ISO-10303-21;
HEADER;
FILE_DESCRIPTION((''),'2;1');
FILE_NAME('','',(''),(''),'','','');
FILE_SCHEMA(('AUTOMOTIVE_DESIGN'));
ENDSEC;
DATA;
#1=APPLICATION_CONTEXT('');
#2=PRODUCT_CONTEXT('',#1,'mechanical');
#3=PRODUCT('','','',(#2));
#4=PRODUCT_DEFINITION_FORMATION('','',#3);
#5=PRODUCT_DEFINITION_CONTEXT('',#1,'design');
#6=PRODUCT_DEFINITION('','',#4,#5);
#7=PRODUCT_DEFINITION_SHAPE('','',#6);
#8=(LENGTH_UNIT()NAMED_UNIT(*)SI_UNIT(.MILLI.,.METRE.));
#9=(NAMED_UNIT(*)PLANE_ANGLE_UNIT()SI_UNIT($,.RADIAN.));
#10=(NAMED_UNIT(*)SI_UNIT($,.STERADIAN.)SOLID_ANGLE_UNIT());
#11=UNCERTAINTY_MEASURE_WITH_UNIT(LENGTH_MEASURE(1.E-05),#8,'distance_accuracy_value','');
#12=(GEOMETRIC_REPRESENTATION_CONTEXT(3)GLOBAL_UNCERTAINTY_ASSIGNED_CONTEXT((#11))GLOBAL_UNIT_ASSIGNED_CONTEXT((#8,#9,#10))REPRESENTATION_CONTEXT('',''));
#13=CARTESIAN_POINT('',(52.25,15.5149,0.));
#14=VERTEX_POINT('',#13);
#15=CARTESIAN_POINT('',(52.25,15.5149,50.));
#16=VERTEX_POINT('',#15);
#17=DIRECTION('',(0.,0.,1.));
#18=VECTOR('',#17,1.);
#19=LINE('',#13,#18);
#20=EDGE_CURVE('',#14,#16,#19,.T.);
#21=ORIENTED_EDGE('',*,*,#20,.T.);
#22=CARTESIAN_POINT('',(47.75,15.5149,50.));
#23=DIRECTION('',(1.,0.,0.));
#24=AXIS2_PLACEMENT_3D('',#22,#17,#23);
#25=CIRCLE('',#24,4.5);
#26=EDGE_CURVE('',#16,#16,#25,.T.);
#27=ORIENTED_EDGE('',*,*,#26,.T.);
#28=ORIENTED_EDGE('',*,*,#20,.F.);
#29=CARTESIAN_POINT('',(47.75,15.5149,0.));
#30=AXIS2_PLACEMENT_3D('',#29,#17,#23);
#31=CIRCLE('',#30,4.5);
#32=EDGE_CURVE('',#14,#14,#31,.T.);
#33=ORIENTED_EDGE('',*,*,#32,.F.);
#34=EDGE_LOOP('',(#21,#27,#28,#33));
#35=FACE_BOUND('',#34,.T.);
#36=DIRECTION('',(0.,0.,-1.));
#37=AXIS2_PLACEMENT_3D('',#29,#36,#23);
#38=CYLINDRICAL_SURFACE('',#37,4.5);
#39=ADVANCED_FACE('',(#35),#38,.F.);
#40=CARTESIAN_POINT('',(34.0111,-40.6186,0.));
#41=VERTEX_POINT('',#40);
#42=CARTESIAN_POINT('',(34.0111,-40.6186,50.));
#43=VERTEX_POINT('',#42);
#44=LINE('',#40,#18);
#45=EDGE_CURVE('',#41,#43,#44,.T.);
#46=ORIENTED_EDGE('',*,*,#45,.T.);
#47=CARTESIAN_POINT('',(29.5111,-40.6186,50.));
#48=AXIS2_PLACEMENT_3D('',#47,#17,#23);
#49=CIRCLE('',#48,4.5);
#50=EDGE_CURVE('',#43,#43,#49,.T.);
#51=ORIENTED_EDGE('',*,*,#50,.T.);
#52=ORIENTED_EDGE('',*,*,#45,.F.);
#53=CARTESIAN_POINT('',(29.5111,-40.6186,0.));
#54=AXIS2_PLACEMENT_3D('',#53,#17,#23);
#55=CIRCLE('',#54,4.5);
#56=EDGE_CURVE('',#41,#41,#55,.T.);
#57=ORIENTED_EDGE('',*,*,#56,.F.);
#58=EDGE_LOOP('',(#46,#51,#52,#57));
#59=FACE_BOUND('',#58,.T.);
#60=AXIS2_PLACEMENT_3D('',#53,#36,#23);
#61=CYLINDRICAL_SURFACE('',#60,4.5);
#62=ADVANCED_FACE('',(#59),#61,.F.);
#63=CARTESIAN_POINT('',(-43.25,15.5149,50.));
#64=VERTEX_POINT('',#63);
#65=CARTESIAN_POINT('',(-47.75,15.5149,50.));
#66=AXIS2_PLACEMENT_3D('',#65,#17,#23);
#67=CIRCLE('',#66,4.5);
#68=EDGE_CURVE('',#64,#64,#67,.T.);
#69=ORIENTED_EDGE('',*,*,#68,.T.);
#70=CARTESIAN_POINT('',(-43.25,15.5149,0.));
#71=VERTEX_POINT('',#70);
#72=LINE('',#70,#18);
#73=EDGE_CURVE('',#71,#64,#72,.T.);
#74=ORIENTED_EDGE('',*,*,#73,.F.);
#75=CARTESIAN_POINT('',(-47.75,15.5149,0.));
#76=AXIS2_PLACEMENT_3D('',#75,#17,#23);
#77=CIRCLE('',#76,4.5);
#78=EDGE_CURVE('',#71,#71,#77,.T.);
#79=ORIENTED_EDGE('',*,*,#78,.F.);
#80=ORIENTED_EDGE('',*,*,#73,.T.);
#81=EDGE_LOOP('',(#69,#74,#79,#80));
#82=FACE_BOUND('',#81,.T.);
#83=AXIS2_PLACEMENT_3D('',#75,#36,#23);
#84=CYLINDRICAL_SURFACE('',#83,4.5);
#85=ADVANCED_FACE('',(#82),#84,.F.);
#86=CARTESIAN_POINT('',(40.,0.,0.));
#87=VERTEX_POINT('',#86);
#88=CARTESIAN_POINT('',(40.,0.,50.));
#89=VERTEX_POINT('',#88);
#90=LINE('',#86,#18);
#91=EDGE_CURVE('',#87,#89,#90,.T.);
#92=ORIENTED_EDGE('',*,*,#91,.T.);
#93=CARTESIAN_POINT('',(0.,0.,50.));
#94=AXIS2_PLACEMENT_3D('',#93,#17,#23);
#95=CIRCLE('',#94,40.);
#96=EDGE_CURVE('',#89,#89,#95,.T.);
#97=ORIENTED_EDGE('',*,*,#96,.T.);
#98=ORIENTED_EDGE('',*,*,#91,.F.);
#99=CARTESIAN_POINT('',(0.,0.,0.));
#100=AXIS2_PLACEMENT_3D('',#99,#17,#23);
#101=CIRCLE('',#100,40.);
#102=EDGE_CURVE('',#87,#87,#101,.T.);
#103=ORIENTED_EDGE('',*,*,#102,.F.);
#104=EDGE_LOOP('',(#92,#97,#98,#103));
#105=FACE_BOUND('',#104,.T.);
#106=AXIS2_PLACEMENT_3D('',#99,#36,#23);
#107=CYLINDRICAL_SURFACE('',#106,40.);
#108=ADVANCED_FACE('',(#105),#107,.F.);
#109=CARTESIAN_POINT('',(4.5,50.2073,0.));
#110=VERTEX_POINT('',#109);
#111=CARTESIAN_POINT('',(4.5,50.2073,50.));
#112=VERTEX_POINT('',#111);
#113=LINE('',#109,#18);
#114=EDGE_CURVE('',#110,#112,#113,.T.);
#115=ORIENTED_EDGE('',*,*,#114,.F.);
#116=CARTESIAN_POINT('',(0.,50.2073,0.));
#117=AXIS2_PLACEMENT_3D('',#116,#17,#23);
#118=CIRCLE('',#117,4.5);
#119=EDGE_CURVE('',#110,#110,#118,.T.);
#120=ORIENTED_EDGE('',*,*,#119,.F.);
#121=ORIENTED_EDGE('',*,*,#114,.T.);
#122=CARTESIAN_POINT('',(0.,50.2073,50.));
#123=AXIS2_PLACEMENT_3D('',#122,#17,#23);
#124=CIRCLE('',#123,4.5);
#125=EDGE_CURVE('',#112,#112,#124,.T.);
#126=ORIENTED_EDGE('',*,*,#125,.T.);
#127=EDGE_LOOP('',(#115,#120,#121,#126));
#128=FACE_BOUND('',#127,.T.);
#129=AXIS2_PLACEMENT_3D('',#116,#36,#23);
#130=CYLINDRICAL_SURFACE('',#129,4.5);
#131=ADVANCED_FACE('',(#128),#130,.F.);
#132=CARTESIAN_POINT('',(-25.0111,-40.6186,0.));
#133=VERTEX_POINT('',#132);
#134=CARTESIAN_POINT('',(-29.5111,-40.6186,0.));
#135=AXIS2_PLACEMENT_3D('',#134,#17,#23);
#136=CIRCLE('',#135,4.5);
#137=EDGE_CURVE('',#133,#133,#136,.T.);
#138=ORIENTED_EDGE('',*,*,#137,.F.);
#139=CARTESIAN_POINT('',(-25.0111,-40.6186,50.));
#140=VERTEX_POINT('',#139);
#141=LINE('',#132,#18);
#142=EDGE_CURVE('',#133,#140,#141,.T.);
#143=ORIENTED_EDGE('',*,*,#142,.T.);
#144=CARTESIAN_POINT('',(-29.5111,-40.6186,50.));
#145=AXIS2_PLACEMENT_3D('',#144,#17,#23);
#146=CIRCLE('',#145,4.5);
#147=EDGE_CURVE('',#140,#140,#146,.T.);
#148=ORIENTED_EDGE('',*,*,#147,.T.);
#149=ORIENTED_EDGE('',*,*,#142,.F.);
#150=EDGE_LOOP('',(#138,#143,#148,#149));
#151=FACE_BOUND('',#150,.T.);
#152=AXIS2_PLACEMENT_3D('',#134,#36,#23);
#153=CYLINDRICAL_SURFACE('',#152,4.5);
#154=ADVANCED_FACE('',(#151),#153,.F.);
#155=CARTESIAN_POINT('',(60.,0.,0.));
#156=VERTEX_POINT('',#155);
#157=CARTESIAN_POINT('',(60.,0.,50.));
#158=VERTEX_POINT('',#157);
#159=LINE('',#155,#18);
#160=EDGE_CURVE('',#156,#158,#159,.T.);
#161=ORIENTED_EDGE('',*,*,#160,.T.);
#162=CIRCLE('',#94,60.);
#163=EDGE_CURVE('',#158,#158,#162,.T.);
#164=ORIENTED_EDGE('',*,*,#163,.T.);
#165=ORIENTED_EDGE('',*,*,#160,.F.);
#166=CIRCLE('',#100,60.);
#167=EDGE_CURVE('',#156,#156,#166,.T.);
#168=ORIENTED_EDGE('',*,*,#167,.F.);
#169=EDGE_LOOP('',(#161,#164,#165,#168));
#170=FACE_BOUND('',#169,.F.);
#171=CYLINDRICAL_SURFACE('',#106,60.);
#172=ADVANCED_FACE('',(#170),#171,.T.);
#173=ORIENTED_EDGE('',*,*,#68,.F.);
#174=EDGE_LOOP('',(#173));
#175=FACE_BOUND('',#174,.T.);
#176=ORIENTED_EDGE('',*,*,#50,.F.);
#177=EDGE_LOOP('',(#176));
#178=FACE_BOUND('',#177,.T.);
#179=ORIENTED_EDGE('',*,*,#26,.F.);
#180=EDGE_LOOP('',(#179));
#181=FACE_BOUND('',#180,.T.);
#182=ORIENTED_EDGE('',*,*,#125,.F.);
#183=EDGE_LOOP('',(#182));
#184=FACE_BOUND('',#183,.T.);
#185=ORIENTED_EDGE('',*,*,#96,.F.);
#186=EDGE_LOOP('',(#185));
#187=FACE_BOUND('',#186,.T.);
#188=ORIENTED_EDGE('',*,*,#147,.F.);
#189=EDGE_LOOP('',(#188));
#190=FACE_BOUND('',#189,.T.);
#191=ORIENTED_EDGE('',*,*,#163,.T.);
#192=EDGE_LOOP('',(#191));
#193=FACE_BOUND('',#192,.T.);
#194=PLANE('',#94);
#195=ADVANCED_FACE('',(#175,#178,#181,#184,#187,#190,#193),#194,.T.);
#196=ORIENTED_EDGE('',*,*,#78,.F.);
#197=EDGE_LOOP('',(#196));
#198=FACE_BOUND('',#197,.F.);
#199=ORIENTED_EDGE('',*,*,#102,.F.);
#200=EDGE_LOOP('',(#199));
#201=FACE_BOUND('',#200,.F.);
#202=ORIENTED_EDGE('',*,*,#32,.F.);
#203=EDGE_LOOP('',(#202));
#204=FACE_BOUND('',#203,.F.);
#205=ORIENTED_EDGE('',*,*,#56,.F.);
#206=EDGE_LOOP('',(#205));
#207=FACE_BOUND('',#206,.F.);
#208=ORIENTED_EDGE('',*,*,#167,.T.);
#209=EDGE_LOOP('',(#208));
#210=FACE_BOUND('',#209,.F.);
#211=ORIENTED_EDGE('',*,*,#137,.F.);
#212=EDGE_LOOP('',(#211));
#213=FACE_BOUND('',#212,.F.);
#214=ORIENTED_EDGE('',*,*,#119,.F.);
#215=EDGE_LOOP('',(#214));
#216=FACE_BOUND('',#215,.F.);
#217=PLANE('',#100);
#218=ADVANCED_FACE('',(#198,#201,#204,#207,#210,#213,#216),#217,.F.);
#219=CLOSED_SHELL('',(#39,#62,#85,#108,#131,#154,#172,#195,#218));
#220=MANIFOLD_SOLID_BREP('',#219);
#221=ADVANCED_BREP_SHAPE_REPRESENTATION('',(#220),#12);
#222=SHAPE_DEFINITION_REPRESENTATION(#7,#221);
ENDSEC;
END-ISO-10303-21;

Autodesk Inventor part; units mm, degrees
ref_plane "YZ Plane" through (0, 0, 0) normal (1, 0, 0) x (0, 1, 0)
ref_plane "XZ Plane" through (0, 0, 0) normal (0, 1, 0) x (-1, 0, 0)
ref_plane "XY Plane" through (0, 0, 0) normal (0, 0, 1) x (1, 0, 0)
sketch "Sketch1" plane through (0, 0, 0) normal (0, 0, 1) x (1, 0, 0)
  line L0 (0, 50.2073) -> (47.75, 15.5149) construction
  line L1 (47.75, 15.5149) -> (29.5111, -40.6186) construction
  line L2 (29.5111, -40.6186) -> (-29.5111, -40.6186) construction
  line L3 (-29.5111, -40.6186) -> (-47.75, 15.5149) construction
  line L4 (-47.75, 15.5149) -> (0, 50.2073) construction
  circle A0 centre (0, 50.2073) radius 4.5
  circle A1 centre (47.75, 15.5149) radius 4.5
  circle A2 centre (29.5111, -40.6186) radius 4.5
  circle A3 centre (-29.5111, -40.6186) radius 4.5
  circle A4 centre (-47.75, 15.5149) radius 4.5
  circle A5 centre (0, 0) radius 40
  circle A6 centre (0, 0) radius 60
  dimension "d0" = 95.5
  dimension "d1" = 9
  dimension "d2" = 80
  dimension "d3" = 120
extrude "Extrusion1" add sketch "Sketch1" along normal blind 50
properties part number "drive wheel sprocket spacer"
